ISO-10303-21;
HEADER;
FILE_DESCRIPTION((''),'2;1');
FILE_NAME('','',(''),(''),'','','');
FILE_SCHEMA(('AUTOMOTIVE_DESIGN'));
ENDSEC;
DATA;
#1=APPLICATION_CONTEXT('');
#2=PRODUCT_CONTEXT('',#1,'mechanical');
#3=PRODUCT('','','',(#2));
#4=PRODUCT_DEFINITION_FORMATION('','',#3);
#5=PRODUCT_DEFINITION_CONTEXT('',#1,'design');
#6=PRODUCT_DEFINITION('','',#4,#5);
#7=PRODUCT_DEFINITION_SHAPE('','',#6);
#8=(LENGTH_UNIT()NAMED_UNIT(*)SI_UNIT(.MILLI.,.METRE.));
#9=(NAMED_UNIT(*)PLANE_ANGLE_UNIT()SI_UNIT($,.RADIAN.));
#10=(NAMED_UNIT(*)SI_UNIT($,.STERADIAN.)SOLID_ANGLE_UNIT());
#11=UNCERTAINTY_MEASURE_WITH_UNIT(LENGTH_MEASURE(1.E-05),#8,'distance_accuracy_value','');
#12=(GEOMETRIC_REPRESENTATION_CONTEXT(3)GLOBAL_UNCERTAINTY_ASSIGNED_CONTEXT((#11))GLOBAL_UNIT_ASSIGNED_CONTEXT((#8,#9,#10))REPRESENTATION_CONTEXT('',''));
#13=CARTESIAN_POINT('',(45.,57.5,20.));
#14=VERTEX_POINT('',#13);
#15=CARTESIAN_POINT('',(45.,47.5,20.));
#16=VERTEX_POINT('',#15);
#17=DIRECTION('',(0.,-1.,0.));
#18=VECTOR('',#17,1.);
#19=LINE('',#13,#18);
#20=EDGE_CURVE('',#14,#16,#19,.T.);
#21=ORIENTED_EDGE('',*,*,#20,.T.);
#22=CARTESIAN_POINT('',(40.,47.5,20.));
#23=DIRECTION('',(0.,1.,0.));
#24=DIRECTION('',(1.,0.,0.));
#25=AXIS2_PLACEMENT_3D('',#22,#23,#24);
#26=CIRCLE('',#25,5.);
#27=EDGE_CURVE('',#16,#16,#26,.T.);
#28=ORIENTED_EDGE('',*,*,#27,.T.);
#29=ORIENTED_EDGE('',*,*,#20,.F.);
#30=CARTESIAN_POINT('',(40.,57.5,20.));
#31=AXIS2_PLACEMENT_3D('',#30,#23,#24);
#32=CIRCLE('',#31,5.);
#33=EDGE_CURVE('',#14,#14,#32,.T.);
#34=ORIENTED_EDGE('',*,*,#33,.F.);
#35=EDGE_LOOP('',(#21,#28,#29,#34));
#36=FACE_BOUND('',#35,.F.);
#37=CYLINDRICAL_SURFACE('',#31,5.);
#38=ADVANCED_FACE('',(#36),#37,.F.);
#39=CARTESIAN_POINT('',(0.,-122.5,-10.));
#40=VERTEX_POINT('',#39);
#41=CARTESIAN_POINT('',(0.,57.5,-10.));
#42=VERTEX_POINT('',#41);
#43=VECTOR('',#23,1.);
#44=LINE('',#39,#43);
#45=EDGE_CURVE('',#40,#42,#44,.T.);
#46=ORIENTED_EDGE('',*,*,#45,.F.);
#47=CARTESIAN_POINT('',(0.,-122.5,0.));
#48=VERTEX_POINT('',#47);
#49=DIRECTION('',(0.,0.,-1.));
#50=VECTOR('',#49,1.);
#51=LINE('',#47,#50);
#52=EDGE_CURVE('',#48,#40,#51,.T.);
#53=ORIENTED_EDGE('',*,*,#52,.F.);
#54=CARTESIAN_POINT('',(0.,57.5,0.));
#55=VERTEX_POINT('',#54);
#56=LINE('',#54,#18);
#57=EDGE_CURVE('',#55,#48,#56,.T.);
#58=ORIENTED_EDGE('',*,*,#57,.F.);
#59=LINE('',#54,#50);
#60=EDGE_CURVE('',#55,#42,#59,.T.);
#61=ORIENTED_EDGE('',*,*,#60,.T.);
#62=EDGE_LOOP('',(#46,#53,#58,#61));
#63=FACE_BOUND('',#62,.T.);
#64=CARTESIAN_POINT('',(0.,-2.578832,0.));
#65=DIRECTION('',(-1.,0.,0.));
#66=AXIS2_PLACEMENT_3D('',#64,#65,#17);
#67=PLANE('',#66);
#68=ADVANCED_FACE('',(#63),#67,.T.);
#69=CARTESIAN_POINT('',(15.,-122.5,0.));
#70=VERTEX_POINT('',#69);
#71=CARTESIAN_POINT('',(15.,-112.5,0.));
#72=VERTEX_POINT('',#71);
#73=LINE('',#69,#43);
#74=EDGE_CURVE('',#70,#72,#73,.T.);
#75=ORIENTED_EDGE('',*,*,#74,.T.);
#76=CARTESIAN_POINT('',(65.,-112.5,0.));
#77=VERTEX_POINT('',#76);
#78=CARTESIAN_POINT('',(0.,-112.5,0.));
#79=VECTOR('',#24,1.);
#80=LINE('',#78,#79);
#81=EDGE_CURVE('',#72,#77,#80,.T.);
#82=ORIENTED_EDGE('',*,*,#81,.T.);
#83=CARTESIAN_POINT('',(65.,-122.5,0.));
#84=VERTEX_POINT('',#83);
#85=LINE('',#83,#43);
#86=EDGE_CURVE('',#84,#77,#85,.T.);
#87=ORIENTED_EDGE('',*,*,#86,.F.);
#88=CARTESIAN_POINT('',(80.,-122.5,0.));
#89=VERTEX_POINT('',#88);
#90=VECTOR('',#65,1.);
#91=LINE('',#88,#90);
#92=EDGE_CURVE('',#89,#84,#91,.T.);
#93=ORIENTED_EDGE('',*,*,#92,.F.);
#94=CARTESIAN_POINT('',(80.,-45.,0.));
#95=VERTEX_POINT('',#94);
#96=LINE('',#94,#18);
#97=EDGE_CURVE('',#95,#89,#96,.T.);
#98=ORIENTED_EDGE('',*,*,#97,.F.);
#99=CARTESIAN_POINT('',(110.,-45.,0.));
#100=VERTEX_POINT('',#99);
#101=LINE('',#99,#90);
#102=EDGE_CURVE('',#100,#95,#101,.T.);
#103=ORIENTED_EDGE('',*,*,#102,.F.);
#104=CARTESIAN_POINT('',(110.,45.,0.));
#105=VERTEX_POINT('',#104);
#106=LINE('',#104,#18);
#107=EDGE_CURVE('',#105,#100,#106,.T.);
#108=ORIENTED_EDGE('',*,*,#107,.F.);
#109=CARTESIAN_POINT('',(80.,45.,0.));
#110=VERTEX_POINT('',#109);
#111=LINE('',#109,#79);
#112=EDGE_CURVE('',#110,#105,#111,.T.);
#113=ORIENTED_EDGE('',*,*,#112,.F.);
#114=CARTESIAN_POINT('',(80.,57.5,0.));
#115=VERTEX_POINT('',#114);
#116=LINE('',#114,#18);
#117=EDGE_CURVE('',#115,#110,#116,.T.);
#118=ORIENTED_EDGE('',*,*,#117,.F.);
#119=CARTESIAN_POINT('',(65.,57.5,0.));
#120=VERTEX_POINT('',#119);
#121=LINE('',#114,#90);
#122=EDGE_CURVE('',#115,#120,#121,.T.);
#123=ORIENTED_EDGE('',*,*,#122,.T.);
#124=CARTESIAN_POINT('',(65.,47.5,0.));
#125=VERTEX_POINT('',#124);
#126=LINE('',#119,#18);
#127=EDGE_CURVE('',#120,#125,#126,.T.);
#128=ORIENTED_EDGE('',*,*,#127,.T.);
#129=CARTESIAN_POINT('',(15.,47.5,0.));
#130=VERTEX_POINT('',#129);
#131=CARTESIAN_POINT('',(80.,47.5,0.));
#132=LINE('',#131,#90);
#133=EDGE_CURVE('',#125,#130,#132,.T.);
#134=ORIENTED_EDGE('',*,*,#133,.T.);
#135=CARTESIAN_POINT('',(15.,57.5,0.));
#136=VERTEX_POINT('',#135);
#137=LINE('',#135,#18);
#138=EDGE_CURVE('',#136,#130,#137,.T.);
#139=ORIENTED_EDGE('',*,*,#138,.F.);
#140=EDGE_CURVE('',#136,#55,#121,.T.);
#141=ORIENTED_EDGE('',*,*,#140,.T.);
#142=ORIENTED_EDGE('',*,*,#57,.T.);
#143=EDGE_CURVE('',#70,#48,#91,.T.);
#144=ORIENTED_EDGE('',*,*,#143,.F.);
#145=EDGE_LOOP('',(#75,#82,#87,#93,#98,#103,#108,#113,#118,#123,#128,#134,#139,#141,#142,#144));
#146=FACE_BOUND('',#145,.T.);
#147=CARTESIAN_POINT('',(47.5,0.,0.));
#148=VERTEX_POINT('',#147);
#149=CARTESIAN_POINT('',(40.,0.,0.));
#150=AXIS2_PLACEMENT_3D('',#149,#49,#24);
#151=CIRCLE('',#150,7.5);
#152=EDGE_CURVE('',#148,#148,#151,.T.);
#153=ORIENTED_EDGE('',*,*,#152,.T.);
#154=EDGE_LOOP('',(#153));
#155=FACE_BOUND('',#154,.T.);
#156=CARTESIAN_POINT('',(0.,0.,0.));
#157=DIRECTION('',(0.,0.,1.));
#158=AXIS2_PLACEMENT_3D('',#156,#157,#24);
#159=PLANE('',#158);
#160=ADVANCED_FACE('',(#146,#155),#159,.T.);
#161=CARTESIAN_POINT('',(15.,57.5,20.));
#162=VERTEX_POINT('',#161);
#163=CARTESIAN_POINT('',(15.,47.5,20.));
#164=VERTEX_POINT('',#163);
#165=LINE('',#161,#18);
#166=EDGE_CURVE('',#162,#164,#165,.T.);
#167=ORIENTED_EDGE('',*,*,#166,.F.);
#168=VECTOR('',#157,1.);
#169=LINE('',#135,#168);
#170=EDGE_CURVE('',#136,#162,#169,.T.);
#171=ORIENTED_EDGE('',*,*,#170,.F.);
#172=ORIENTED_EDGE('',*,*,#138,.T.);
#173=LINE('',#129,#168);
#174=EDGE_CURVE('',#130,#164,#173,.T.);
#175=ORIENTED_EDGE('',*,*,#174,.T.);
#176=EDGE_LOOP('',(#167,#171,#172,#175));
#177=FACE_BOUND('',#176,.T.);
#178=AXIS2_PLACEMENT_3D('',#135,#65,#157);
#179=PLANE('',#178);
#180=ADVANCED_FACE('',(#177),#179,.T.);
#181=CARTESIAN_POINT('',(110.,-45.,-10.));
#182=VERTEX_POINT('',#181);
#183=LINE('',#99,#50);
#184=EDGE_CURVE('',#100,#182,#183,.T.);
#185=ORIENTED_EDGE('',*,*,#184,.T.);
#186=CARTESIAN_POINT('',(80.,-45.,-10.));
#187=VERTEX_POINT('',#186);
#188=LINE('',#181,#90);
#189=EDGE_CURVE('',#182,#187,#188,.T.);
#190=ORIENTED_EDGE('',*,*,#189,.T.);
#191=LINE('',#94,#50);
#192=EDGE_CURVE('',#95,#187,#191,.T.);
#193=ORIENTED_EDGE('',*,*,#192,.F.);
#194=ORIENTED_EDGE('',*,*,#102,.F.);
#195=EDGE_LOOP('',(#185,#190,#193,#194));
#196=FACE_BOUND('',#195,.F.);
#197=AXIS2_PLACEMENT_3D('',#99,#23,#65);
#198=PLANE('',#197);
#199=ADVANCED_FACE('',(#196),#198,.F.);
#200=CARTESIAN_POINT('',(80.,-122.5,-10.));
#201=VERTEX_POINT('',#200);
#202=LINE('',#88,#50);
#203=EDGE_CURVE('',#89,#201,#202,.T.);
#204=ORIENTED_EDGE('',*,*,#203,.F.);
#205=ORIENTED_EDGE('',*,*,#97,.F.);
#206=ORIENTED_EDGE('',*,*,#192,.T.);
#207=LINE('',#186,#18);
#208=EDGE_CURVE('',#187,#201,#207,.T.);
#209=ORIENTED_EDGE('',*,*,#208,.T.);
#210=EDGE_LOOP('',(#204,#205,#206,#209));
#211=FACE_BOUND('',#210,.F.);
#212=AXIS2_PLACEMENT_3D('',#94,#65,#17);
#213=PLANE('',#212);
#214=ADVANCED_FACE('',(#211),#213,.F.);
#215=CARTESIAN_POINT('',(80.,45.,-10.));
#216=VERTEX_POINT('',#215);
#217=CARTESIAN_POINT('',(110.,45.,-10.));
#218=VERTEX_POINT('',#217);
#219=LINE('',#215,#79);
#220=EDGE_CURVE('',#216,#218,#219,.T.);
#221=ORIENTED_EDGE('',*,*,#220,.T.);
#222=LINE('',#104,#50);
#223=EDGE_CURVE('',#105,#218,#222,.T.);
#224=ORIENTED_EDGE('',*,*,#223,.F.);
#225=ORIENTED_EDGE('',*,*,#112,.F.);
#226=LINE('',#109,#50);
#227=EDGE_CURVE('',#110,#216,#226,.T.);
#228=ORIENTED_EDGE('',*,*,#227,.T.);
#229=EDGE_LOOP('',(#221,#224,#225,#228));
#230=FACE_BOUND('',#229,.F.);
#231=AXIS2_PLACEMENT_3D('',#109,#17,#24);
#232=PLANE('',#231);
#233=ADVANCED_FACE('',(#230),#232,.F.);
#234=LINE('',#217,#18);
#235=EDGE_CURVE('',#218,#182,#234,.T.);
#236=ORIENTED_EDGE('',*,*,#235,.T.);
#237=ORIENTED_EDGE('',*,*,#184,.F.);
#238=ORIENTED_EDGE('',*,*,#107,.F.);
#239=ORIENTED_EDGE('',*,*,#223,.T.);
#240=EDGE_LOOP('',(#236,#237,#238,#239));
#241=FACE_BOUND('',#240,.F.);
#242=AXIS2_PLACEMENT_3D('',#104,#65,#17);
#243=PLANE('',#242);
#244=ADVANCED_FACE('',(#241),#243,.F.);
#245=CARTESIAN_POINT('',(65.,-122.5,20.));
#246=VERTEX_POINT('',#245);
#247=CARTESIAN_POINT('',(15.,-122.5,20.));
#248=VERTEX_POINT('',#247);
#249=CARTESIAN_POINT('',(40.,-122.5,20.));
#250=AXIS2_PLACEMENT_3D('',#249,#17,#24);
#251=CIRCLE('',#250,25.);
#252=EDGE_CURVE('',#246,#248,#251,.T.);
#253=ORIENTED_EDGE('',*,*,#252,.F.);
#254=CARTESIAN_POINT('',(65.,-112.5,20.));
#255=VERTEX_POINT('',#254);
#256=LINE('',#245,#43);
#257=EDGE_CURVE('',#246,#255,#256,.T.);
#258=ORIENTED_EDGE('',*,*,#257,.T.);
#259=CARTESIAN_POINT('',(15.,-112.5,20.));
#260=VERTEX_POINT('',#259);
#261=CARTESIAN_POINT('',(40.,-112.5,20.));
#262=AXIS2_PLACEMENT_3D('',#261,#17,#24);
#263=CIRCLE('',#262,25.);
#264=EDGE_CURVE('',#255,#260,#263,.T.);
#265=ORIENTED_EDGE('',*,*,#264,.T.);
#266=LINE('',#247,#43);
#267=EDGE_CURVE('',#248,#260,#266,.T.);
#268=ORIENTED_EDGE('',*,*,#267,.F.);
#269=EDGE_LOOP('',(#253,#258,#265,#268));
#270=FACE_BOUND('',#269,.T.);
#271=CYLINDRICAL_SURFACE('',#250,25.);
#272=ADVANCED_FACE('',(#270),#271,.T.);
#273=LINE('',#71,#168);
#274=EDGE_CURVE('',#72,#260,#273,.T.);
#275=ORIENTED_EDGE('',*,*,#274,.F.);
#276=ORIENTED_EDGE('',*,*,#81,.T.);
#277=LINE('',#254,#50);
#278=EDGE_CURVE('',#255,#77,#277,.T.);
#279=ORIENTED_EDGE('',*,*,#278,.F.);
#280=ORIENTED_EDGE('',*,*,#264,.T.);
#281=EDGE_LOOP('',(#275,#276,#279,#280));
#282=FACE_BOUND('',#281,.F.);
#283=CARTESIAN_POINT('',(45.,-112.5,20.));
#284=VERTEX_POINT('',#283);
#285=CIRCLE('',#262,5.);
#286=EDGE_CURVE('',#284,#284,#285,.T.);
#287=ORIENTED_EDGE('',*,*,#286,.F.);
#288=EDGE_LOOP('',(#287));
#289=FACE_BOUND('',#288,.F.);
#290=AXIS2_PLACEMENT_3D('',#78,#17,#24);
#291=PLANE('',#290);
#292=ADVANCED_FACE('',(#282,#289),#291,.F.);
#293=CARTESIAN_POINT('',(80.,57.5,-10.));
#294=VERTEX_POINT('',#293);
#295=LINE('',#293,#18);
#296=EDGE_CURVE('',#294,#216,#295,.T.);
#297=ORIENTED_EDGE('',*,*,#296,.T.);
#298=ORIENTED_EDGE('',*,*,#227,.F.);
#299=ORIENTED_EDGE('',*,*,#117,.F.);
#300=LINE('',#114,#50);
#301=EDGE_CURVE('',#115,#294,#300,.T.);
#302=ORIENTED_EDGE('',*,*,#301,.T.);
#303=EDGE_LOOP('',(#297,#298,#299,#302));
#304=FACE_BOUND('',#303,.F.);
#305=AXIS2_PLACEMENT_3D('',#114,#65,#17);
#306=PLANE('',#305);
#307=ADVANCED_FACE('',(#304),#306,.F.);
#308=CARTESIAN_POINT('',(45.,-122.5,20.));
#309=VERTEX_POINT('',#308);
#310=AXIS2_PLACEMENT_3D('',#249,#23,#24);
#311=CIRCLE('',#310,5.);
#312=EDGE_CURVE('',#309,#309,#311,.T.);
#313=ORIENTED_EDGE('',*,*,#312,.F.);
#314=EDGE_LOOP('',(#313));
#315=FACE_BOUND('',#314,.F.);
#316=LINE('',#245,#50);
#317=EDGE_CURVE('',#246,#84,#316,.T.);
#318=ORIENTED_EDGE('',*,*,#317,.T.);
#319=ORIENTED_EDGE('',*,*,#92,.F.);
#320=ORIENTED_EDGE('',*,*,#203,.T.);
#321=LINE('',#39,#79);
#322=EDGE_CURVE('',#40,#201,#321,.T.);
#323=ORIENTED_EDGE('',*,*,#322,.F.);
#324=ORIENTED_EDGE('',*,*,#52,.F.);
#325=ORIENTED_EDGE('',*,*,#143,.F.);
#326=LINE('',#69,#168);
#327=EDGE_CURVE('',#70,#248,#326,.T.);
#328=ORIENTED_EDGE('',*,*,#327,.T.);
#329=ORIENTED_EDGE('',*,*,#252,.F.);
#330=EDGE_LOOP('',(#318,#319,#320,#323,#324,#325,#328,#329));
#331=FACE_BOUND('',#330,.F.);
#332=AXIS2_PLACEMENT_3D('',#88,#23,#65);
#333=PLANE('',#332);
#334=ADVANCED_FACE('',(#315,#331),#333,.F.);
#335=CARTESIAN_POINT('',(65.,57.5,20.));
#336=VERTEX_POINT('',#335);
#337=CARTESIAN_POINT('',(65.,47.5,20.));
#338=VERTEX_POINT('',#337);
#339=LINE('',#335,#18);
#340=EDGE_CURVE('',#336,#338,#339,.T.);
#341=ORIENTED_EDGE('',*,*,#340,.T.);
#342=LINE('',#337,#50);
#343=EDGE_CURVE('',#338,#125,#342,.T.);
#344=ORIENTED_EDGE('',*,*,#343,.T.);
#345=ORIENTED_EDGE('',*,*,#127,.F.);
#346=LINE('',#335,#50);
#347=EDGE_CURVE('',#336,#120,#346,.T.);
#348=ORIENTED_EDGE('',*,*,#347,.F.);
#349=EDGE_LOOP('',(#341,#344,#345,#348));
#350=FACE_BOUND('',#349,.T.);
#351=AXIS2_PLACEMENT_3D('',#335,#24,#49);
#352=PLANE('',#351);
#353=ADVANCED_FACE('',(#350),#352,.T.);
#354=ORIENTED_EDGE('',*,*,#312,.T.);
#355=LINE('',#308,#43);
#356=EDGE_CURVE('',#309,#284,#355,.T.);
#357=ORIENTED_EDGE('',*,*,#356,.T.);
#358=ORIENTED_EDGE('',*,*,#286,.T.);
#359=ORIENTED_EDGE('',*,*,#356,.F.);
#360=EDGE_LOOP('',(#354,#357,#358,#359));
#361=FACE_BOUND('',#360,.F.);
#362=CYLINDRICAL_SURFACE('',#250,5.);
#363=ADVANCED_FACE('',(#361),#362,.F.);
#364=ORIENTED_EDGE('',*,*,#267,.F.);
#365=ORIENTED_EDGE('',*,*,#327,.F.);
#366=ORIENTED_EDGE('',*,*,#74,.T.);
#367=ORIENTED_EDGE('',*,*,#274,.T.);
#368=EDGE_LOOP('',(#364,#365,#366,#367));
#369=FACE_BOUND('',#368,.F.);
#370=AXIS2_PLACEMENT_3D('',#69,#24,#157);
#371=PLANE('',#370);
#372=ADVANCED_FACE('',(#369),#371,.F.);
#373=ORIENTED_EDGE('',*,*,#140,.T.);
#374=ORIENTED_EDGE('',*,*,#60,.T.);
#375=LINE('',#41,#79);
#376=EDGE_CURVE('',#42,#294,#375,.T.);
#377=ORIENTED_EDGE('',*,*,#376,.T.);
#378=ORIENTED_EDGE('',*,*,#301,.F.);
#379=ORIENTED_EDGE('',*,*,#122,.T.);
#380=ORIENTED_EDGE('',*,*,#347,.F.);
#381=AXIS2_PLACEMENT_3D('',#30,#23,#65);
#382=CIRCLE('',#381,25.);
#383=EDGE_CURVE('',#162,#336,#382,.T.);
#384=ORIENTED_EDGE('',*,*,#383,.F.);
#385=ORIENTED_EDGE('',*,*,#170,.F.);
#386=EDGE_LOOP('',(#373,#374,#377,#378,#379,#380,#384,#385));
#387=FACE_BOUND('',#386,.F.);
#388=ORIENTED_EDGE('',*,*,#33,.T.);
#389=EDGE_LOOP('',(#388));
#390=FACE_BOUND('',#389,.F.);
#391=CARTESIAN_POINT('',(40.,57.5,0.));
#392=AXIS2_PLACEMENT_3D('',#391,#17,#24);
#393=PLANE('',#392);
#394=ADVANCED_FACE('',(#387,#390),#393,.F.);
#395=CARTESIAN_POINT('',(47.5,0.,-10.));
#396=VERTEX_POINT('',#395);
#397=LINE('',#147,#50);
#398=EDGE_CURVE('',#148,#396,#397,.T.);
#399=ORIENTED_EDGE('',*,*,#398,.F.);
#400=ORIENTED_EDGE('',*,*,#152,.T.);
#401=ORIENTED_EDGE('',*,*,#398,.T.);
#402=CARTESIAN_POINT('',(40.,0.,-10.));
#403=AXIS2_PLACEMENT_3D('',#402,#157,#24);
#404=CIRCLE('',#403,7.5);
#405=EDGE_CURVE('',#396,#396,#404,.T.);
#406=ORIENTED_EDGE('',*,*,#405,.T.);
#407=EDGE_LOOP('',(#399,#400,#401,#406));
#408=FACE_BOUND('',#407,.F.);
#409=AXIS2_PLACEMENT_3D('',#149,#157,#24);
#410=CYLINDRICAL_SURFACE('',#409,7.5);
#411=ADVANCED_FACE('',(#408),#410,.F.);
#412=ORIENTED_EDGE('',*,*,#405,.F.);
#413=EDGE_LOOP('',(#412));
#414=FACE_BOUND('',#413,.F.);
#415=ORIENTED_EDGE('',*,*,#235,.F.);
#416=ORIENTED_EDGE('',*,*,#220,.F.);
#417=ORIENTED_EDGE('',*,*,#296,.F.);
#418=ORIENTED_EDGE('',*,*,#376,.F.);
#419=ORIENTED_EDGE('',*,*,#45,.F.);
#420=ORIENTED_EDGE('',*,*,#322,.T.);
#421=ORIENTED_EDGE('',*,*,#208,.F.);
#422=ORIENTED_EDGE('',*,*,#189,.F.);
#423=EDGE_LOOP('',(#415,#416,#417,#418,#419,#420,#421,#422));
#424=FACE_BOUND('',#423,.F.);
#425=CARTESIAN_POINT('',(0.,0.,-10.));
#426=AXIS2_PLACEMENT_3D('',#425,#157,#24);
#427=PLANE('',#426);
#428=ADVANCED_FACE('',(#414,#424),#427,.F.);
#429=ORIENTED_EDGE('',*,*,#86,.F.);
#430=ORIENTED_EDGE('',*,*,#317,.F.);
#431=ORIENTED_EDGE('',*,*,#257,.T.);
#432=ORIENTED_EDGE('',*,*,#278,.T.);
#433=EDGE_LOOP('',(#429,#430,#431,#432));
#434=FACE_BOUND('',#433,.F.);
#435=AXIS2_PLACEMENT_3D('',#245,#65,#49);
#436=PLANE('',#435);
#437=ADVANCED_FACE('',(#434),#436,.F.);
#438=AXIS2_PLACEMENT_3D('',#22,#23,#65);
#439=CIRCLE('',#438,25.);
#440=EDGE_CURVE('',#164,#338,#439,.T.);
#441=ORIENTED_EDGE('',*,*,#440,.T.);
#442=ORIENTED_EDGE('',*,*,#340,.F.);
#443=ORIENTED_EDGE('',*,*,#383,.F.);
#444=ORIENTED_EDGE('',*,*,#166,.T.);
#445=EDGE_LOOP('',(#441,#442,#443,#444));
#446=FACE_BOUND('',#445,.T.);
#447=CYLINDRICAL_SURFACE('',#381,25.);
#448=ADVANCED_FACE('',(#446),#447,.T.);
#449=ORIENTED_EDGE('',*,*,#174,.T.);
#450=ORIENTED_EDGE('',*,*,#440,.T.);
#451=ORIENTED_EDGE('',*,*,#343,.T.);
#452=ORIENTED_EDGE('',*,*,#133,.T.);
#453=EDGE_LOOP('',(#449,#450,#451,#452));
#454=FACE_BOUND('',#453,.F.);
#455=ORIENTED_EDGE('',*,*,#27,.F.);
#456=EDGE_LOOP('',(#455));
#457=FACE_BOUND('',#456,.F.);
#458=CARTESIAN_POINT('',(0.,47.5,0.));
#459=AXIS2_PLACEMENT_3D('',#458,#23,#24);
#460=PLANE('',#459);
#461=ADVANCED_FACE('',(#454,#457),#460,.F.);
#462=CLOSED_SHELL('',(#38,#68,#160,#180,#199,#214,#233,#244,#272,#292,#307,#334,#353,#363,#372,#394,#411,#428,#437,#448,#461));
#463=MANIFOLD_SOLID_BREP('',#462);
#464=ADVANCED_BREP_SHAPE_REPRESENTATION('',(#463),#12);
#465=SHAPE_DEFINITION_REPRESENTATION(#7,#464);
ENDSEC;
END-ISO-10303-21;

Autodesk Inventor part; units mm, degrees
ref_plane "YZ Plane" through (0, 0, 0) normal (1, 0, 0) x (0, 1, 0)
ref_plane "XZ Plane" through (0, 0, 0) normal (0, 1, 0) x (-1, 0, 0)
ref_plane "XY Plane" through (0, 0, 0) normal (0, 0, 1) x (1, 0, 0)
sketch "스케치1" plane through (0, 0, 0) normal (0, 0, 1) x (1, 0, 0)
  line L0 (80, -122.5) -> (0, -122.5)
  line L1 (80, 45) -> (110, 45)
  line L2 (110, 45) -> (110, -45)
  line L3 (110, -45) -> (80, -45)
  line L4 (80, 57.5) -> (80, 45)
  line L5 (80, -45) -> (80, -122.5)
  line L6 (40, 57.5) -> (40, -122.5)
  circle A0 centre (40, 47.0427) radius 7.5
  circle A1 centre (-7.0427, 0) radius 7.5
  circle A2 centre (40, -47.0427) radius 7.5
  circle A3 centre (87.0427, 0) radius 7.5
  circle A4 centre (40, 0) radius 7.5
  line L7 (0, 57.5) -> (80, 57.5)
  line L8 (0, 0) -> (0, 57.5)
  line L9 (0, 0) -> (0, -122.5)
  dimension "d0" = 80
  dimension "d3" = 45
  dimension "d4" = 45
  dimension "d13" = 360
  dimension "d14" = 0
  dimension "d15" = 47.0427
  dimension "d16" = 47.0427
  dimension "d21" = 15
  dimension "d31" = 122.5
  dimension "d36" = 12.5
  dimension "d37" = 30
extrude "돌출1" add sketch "스케치1" against normal blind 10 contours L0 L6 A2 A4 A0 L7 L4 L1 L2 L3 L5 | L0 L9 A1 L8 L7 L6 A0 A4 A2 | A2 L6 | L6 A2 | L9 L8 A1 | A4 L6 | L6 A4 | A0 L6 | L6 A0 | A3 picked at (0.0843, 1.4393)
extrude "돌출3" cut sketch "스케치1" against normal blind 40 contours A4 L6 | L6 A4
sketch "스케치2" plane through (0, -122.5, 0) normal (0, -1, 0) x (1, 0, 0)
  line L0 (0, 0) -> (80, 0) projected
  line L1 (15, 0) -> (15, 20)
  line L2 (15, 20) -> (65, 20)
  line L3 (65, 20) -> (65, 0)
  arc A0 (65, 20) -> (15, 20) centre (40, 20) ccw
  circle A1 centre (40, 20) radius 5
  point P0 (40, 0)
  dimension "d24" = 20
  dimension "d25" = 50
  dimension "d26" = 25
  dimension "d28" = 10
extrude "돌출4" add sketch "스케치2" against normal blind 10 contours L1 L2 A1 L3 L0 | A0 L2 A1
sketch "스케치3" plane through (0, 57.5, 0) normal (0, 1, 0) x (1, 0, 0)
  line L0 (15, 0) -> (15, -20) projected
  line L1 (65, -20) -> (65, 0) projected
  arc A0 (15, -20) -> (65, -20) centre (40, -20) ccw projected
  circle A1 centre (40, -20) radius 5 projected
  line L2 (80, 0) -> (0, 0) projected
extrude "돌출5" add sketch "스케치3" against normal blind 10
properties part number "wheel_braket_front"
